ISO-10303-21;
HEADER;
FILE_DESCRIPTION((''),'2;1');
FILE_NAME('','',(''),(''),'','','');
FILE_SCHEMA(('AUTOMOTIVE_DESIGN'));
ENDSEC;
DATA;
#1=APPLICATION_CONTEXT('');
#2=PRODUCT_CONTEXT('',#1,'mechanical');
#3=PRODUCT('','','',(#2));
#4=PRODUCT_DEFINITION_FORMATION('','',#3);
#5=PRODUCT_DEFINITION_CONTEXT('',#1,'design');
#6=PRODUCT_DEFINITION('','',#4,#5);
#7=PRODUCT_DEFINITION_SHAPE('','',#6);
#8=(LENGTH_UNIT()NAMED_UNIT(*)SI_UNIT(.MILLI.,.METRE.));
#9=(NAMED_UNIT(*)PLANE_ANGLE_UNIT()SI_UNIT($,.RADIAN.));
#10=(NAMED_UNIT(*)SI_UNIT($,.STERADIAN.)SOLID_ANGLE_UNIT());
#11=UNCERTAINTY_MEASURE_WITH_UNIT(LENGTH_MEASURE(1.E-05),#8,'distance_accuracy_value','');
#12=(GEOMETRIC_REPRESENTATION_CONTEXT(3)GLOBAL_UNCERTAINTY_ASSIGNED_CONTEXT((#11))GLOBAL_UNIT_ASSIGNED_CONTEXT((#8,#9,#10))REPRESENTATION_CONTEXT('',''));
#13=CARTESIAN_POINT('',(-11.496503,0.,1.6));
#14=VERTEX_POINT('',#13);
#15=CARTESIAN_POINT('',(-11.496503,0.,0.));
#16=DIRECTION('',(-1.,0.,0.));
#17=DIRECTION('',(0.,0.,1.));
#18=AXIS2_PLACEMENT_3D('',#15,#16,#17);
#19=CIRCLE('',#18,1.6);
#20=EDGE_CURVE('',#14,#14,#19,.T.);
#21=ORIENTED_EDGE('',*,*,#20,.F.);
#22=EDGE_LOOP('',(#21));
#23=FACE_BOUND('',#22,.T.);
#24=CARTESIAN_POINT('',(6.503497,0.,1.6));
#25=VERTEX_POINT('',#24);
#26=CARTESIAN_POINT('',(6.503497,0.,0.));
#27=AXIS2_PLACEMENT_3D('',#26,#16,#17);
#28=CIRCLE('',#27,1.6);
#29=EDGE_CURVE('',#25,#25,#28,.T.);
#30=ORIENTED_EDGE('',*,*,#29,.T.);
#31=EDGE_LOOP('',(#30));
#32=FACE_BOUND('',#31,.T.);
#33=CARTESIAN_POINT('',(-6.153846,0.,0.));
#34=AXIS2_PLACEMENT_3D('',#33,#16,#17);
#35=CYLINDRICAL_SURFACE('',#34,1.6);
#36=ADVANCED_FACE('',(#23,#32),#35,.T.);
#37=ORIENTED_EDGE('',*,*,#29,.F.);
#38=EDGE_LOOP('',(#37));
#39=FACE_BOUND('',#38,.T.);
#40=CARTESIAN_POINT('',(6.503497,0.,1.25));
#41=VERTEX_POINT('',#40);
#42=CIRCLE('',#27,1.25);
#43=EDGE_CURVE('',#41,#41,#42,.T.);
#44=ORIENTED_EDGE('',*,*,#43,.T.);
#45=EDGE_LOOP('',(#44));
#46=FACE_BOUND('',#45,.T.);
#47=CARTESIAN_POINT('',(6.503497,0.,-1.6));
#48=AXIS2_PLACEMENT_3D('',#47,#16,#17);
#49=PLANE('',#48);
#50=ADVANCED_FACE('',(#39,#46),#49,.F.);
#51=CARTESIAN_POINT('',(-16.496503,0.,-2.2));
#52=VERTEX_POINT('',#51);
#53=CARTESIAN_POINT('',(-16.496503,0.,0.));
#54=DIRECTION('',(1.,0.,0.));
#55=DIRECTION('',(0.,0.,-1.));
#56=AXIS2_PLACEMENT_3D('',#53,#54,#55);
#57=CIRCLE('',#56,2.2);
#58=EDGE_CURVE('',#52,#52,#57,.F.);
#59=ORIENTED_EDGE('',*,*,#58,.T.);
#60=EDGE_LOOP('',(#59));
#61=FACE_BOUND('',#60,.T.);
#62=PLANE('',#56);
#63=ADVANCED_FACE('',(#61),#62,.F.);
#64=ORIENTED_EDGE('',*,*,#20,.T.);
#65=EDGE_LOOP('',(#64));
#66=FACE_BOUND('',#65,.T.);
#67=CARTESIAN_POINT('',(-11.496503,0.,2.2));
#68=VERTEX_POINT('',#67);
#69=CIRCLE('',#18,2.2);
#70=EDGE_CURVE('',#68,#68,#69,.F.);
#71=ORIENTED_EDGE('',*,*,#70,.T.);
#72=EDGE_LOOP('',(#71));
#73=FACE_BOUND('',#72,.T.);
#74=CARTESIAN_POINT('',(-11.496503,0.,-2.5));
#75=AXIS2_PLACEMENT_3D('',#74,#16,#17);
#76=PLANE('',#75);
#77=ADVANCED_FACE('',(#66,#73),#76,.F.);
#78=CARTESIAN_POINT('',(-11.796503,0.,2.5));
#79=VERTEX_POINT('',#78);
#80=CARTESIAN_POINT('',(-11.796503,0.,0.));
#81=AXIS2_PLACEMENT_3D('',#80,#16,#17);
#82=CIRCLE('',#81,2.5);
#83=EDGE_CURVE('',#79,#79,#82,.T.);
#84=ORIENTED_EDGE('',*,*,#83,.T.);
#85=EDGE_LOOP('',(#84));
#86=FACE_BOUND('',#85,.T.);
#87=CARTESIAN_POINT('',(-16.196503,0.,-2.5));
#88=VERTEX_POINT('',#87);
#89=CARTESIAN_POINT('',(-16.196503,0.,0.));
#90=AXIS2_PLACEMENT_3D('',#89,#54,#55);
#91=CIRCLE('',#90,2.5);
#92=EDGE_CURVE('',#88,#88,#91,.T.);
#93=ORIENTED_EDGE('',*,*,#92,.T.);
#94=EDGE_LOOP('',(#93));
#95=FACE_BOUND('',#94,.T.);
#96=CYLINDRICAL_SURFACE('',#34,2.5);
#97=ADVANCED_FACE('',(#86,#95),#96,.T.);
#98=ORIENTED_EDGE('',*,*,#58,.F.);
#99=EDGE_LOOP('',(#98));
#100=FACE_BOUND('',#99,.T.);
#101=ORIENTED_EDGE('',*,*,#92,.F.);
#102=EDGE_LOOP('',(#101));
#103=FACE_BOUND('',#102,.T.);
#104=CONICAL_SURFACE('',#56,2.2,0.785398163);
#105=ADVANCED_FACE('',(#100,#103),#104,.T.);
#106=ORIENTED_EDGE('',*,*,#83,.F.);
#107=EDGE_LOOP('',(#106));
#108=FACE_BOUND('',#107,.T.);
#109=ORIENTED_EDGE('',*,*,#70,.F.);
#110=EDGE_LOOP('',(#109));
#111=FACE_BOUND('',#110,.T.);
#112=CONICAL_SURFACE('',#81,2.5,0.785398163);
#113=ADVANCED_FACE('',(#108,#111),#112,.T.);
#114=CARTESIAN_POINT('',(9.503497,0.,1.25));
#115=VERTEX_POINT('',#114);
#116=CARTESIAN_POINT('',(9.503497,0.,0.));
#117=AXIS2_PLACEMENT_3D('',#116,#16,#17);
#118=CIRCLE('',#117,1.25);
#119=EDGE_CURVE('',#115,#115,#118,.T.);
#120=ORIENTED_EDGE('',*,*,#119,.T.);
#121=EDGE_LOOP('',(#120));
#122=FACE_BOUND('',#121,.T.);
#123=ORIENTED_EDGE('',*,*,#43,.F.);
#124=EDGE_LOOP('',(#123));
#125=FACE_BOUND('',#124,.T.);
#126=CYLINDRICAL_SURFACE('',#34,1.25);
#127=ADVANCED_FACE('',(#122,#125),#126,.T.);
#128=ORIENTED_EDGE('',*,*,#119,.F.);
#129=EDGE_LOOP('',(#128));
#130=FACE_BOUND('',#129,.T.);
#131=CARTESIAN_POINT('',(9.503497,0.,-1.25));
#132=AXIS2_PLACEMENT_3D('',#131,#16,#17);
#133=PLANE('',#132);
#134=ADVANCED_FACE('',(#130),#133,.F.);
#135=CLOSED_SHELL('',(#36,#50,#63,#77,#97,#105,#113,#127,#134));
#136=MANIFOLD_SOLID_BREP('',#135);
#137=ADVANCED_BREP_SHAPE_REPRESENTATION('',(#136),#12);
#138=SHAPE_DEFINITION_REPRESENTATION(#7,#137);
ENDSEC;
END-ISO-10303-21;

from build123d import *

# Parameters (mm, degrees)
CHAMFER1_SIZE = 0.3


with BuildPart() as part:
    # Sketch2 → Revolve1 (revolve)
    with BuildSketch(Plane(origin=(0, 0, 0), x_dir=(1, 0, 0), z_dir=(0, 1, 0))):
        Polygon((-16.496503497, 2.5), (-11.496503497, 2.5), (-11.496503497, 1.6), (6.503496503, 1.6), (6.503496503, 1.25), (9.503496503, 1.25), (9.503496503, 0), (-16.496503497, 0), align=None)
    revolve(axis=Axis((-6.153846154, 0, 0), (1, 0, 0)))

    # Chamfer1
    chamfer1_edges = [part.edges().sort_by_distance(p)[0] for p in [
        (-16.496503497, 0, 2.5),
        (-11.496503497, 0, 2.5),
    ]]
    chamfer(chamfer1_edges, length=CHAMFER1_SIZE)


solid = part.part
